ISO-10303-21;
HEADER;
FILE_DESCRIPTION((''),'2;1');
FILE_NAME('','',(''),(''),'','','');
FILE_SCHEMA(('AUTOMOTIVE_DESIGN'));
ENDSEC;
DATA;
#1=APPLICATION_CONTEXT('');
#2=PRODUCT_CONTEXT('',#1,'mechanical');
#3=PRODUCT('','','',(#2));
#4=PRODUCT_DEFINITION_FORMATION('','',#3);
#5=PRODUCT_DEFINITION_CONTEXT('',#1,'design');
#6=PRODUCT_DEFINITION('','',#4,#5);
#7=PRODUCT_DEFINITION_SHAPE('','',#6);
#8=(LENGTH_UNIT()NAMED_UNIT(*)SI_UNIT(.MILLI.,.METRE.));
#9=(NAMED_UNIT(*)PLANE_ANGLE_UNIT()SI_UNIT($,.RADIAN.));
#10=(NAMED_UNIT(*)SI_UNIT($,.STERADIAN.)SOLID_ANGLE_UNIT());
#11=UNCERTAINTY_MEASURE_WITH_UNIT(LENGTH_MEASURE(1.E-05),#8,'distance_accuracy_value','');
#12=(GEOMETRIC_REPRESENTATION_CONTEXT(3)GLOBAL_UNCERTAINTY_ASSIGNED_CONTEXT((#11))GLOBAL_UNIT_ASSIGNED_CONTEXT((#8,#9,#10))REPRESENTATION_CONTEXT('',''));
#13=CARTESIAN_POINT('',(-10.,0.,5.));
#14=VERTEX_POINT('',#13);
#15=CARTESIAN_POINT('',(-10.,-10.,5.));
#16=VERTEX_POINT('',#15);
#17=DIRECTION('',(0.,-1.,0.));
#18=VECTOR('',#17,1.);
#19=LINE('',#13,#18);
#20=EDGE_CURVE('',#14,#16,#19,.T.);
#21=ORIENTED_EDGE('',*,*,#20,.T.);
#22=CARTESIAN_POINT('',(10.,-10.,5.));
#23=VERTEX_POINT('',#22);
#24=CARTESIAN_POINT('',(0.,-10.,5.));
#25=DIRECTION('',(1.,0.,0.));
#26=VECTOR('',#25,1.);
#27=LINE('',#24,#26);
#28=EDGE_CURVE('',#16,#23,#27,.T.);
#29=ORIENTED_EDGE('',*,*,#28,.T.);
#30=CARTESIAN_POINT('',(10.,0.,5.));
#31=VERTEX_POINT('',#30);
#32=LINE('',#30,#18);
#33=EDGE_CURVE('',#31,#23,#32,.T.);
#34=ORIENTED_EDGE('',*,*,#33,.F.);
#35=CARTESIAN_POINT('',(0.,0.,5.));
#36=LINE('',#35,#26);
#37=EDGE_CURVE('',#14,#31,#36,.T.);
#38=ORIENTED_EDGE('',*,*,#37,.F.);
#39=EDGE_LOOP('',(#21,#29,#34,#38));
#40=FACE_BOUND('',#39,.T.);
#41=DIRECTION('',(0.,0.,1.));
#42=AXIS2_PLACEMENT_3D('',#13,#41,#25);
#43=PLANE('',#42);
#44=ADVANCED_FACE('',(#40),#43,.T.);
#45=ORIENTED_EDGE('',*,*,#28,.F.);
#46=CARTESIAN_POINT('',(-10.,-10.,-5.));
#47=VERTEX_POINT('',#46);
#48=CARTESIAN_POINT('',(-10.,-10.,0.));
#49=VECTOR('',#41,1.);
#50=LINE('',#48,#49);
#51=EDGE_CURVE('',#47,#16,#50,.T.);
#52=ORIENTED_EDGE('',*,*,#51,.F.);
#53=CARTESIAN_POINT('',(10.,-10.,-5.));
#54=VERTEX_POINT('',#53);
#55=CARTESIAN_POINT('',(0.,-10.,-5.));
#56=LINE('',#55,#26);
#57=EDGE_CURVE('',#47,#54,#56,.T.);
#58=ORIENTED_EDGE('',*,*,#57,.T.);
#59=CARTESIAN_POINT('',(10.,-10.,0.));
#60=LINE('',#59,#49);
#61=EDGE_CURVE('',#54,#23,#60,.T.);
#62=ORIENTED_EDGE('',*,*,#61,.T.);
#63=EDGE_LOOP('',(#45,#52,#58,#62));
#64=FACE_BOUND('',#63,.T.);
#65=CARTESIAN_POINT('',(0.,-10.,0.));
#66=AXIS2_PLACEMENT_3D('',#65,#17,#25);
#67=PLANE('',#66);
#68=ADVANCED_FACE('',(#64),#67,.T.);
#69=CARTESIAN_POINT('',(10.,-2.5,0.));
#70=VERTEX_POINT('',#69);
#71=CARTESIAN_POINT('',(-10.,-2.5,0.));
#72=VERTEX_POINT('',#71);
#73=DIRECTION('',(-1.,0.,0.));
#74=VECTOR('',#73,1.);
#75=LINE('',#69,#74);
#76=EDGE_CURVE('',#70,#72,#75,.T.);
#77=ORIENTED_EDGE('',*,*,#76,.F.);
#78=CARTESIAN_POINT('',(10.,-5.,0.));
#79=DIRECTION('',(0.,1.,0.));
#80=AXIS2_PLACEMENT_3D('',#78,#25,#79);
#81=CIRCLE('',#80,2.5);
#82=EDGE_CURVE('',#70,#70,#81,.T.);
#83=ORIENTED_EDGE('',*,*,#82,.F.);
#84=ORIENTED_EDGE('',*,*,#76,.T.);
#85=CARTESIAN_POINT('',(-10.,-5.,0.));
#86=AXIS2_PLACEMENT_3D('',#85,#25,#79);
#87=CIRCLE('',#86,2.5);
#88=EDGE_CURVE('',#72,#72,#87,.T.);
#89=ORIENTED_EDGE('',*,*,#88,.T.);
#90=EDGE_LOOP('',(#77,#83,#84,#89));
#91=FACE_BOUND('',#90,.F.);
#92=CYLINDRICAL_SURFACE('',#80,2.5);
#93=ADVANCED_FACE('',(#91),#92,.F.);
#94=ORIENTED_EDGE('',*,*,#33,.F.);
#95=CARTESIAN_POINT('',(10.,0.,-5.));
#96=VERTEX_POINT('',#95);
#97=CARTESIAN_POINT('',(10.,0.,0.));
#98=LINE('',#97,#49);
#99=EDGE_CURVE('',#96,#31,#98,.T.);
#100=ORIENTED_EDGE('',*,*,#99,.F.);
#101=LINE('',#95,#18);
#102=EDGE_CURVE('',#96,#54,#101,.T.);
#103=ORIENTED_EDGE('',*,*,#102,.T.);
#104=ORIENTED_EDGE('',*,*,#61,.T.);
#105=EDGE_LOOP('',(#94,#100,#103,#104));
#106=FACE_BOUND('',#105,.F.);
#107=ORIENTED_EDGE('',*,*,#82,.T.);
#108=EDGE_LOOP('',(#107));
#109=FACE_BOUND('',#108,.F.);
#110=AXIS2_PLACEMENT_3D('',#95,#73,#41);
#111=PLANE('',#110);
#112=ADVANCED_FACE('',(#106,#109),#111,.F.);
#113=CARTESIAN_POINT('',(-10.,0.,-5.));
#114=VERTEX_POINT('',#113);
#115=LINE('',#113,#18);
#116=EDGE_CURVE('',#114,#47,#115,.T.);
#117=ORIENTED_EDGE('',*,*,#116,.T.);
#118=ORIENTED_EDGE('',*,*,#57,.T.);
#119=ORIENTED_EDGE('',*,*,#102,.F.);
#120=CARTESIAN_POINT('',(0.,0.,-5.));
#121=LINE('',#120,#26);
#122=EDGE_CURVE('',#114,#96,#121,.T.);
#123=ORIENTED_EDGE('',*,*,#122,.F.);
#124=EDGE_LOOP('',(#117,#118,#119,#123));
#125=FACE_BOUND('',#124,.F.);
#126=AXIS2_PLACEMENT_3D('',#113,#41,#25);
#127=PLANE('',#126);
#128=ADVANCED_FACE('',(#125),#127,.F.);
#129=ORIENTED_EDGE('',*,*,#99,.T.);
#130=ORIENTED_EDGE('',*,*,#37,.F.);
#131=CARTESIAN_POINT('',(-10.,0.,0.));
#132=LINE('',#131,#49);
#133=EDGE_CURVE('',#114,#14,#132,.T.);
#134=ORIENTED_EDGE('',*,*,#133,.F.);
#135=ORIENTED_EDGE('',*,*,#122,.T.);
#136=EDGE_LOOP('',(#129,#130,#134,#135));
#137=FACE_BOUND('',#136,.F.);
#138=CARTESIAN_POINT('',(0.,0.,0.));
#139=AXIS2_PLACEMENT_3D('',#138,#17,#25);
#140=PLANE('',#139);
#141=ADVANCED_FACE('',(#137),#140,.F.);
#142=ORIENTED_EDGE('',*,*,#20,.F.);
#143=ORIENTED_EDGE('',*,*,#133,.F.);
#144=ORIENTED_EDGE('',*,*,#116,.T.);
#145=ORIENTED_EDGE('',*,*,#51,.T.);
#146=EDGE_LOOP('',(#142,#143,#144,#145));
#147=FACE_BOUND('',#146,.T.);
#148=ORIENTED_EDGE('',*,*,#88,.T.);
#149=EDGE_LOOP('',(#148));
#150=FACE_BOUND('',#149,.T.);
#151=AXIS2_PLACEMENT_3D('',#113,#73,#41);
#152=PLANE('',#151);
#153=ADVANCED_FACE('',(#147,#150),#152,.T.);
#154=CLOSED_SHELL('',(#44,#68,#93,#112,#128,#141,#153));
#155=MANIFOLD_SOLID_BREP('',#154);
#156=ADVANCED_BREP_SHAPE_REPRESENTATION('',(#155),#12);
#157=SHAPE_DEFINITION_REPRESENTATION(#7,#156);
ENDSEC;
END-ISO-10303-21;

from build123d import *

# Parameters (mm, degrees)
F0_W     = 20
F0_H     = 10
F1_DEPTH = 10
F2_R     = 2.5
F3_DEPTH = 20.001


with BuildPart() as f1:
    # F0 (on Front) → F1 (new body)
    with BuildSketch(Plane.XZ):
        Rectangle(F0_W, F0_H)
    extrude(amount=F1_DEPTH)

    # F2 (on face) → F3 (cut, through all)
    with BuildSketch(Plane.YZ.offset(10)):
        with Locations((-5, 0)):
            Circle(F2_R)
    extrude(amount=-F3_DEPTH, mode=Mode.SUBTRACT)


solid = f1.part
